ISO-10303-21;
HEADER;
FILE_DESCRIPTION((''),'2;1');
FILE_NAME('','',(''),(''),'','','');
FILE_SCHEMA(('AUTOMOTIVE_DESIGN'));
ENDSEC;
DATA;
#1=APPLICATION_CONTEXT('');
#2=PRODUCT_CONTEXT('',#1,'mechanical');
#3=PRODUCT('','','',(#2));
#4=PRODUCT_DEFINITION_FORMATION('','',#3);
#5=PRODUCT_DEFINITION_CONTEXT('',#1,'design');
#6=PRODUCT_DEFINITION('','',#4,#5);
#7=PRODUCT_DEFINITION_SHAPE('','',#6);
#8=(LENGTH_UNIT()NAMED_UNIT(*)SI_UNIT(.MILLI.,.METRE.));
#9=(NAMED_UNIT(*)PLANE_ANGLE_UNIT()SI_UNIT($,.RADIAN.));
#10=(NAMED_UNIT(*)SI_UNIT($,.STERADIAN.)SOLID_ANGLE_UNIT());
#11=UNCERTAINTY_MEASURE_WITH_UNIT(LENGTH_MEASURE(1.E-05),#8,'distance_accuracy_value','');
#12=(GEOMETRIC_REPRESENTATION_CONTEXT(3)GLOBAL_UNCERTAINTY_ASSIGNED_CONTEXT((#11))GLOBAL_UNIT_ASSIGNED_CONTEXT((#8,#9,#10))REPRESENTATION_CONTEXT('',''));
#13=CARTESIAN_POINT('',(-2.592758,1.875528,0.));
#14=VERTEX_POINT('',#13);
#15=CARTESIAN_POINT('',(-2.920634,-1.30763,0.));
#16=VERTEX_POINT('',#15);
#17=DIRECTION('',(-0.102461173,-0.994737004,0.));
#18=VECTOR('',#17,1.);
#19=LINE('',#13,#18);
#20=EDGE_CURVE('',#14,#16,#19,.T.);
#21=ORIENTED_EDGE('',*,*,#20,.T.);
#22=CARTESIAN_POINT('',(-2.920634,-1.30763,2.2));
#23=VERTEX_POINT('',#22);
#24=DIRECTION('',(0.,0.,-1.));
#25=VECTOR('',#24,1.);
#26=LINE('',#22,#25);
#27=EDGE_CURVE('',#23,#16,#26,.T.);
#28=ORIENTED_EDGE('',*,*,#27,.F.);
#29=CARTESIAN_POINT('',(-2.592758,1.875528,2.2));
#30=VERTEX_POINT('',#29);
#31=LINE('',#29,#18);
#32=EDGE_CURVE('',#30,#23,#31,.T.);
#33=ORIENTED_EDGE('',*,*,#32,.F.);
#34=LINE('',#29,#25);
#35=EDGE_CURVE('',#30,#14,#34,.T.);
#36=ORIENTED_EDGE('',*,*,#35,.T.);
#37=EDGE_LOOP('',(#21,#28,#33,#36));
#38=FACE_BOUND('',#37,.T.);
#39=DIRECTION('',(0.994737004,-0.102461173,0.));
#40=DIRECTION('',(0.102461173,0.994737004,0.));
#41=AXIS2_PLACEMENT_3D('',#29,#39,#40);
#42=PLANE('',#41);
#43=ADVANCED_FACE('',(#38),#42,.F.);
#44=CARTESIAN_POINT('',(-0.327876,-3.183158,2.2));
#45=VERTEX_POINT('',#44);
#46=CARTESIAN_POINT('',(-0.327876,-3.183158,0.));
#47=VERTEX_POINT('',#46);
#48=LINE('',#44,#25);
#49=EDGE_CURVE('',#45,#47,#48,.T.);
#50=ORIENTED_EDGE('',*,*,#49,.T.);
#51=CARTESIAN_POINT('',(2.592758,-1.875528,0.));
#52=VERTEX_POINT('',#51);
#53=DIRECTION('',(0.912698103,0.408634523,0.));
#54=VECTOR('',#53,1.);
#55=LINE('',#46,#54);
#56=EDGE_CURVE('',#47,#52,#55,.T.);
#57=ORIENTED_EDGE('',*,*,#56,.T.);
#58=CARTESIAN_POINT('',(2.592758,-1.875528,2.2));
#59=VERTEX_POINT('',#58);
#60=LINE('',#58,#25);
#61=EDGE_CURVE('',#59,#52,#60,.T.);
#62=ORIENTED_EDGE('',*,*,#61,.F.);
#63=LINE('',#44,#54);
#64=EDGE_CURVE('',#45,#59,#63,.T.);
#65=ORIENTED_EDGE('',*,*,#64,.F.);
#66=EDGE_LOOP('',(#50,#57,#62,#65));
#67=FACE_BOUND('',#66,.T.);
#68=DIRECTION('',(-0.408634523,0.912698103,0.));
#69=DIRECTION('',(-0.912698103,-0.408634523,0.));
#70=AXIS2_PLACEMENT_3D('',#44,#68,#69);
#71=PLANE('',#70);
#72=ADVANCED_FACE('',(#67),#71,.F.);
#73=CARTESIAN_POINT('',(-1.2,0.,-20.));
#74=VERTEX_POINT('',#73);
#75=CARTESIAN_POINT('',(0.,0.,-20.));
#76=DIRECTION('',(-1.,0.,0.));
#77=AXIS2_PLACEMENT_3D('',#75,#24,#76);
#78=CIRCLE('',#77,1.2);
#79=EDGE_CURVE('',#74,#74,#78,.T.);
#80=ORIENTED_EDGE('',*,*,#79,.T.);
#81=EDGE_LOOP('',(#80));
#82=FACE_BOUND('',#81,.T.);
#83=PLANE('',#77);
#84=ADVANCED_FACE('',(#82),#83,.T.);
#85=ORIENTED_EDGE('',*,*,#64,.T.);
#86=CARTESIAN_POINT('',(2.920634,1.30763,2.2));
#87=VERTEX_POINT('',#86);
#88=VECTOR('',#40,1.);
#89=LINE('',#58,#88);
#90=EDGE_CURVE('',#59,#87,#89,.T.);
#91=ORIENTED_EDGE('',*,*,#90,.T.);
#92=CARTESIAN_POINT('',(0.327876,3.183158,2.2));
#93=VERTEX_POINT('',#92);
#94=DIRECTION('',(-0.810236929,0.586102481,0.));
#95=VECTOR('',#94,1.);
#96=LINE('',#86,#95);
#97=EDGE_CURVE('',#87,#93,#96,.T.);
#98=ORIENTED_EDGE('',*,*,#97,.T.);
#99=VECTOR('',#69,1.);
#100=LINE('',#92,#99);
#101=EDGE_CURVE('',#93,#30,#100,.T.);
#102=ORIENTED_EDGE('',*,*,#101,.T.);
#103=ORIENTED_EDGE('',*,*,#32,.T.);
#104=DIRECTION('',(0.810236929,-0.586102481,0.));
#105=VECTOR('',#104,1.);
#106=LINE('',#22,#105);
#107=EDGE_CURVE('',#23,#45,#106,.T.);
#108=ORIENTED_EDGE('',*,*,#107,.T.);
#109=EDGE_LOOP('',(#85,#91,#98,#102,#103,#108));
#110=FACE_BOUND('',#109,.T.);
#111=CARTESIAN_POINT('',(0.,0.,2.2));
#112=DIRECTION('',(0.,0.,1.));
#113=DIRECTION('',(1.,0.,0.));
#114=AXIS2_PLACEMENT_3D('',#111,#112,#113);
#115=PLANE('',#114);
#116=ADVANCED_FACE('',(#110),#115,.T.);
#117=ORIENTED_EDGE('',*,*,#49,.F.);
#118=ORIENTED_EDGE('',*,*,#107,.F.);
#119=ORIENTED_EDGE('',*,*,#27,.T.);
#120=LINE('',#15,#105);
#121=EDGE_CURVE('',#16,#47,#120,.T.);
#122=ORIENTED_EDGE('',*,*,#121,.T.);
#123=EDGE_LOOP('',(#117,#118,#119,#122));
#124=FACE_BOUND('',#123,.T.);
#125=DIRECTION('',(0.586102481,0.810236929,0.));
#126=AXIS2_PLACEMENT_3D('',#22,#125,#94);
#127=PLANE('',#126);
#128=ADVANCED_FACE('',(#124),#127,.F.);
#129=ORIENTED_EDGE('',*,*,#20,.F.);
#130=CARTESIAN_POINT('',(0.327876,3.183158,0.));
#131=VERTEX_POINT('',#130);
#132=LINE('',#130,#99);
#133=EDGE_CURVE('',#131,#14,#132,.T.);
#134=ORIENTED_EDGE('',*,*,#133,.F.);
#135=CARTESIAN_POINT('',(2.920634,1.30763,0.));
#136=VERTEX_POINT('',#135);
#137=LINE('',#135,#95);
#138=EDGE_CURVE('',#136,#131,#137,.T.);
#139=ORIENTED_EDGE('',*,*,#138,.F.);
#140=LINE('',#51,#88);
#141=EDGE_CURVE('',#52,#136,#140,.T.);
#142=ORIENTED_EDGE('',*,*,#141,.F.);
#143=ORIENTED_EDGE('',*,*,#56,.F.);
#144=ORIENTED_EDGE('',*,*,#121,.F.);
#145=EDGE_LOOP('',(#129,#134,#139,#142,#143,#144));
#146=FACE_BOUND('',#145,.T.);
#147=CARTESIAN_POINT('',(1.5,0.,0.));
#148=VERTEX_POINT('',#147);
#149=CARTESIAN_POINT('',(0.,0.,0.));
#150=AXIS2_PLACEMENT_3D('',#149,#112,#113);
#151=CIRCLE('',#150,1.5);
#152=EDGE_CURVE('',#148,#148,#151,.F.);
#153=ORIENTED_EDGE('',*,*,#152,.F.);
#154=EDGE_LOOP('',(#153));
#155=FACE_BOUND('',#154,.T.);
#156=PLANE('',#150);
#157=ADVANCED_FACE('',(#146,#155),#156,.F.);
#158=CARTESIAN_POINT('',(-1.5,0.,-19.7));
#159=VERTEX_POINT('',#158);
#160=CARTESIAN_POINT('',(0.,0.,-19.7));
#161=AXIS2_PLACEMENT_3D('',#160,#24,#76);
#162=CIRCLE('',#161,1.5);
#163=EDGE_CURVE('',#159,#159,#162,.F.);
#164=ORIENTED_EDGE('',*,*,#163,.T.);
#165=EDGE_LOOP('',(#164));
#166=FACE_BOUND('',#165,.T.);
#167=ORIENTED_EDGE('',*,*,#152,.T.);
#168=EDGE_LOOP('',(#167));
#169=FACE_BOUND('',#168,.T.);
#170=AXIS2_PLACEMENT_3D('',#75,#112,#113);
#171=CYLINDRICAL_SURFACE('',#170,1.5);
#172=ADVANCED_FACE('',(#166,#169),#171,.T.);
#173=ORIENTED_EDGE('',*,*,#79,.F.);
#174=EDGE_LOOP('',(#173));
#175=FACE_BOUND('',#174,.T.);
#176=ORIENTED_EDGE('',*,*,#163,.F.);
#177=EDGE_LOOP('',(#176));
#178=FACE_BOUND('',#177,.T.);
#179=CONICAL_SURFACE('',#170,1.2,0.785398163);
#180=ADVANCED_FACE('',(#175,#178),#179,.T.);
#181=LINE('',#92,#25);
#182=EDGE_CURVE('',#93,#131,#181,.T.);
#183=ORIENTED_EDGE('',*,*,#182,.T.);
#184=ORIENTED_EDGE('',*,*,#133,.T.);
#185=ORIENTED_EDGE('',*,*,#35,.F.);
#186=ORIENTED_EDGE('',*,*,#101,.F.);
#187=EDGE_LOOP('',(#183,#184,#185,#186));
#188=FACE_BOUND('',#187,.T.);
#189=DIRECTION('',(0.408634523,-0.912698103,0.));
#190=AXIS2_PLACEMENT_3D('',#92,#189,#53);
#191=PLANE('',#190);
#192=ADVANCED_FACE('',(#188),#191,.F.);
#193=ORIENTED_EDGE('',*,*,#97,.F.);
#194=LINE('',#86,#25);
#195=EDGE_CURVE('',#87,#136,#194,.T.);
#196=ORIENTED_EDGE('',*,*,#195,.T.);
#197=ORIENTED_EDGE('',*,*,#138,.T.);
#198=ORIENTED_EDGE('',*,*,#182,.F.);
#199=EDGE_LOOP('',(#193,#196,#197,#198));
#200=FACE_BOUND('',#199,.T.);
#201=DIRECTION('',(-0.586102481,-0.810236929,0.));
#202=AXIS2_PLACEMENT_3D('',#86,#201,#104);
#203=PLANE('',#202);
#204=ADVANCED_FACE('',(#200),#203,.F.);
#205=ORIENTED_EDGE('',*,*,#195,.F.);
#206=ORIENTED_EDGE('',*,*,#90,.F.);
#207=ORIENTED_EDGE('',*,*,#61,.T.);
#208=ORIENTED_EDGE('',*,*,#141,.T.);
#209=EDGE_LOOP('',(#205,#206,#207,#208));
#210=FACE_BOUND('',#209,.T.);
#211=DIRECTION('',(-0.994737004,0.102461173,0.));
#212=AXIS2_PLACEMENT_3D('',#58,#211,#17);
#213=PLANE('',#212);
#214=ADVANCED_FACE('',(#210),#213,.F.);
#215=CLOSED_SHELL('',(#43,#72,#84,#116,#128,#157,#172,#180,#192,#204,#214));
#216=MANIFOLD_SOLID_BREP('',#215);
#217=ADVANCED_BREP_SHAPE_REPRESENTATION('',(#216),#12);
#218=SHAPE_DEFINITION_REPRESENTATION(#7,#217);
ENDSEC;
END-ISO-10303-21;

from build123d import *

# Parameters (mm, degrees)
BOSS_EXTRUDE1_DEPTH = 2.2
SKETCH2_R           = 1.5
BOSS_EXTRUDE2_DEPTH = 20
CHAMFER1_SIZE       = 0.3


with BuildPart() as part:
    # Sketch1 → Boss-Extrude1 (new body)
    with BuildSketch(Plane.XY):
        Polygon((2.592758174, -1.87552794), (2.920633928, 1.307630474), (0.327875755, 3.183158414), (-2.592758174, 1.87552794), (-2.920633928, -1.307630474), (-0.327875755, -3.183158414), align=None)
    extrude(amount=BOSS_EXTRUDE1_DEPTH)

    # Sketch2 → Boss-Extrude2 (add)
    with BuildSketch(Plane(origin=(0, 0, 0), x_dir=(-1, 0, 0), z_dir=(0, 0, -1))):
        with Locations(Location((0, 0, 0), (0, 0, 180))):
            Circle(SKETCH2_R)
    extrude(amount=BOSS_EXTRUDE2_DEPTH)

    # Chamfer1
    chamfer1_edges = [part.edges().sort_by_distance(p)[0] for p in [
        (-1.5, 0, -20),
    ]]
    chamfer(chamfer1_edges, length=CHAMFER1_SIZE)


solid = part.part
